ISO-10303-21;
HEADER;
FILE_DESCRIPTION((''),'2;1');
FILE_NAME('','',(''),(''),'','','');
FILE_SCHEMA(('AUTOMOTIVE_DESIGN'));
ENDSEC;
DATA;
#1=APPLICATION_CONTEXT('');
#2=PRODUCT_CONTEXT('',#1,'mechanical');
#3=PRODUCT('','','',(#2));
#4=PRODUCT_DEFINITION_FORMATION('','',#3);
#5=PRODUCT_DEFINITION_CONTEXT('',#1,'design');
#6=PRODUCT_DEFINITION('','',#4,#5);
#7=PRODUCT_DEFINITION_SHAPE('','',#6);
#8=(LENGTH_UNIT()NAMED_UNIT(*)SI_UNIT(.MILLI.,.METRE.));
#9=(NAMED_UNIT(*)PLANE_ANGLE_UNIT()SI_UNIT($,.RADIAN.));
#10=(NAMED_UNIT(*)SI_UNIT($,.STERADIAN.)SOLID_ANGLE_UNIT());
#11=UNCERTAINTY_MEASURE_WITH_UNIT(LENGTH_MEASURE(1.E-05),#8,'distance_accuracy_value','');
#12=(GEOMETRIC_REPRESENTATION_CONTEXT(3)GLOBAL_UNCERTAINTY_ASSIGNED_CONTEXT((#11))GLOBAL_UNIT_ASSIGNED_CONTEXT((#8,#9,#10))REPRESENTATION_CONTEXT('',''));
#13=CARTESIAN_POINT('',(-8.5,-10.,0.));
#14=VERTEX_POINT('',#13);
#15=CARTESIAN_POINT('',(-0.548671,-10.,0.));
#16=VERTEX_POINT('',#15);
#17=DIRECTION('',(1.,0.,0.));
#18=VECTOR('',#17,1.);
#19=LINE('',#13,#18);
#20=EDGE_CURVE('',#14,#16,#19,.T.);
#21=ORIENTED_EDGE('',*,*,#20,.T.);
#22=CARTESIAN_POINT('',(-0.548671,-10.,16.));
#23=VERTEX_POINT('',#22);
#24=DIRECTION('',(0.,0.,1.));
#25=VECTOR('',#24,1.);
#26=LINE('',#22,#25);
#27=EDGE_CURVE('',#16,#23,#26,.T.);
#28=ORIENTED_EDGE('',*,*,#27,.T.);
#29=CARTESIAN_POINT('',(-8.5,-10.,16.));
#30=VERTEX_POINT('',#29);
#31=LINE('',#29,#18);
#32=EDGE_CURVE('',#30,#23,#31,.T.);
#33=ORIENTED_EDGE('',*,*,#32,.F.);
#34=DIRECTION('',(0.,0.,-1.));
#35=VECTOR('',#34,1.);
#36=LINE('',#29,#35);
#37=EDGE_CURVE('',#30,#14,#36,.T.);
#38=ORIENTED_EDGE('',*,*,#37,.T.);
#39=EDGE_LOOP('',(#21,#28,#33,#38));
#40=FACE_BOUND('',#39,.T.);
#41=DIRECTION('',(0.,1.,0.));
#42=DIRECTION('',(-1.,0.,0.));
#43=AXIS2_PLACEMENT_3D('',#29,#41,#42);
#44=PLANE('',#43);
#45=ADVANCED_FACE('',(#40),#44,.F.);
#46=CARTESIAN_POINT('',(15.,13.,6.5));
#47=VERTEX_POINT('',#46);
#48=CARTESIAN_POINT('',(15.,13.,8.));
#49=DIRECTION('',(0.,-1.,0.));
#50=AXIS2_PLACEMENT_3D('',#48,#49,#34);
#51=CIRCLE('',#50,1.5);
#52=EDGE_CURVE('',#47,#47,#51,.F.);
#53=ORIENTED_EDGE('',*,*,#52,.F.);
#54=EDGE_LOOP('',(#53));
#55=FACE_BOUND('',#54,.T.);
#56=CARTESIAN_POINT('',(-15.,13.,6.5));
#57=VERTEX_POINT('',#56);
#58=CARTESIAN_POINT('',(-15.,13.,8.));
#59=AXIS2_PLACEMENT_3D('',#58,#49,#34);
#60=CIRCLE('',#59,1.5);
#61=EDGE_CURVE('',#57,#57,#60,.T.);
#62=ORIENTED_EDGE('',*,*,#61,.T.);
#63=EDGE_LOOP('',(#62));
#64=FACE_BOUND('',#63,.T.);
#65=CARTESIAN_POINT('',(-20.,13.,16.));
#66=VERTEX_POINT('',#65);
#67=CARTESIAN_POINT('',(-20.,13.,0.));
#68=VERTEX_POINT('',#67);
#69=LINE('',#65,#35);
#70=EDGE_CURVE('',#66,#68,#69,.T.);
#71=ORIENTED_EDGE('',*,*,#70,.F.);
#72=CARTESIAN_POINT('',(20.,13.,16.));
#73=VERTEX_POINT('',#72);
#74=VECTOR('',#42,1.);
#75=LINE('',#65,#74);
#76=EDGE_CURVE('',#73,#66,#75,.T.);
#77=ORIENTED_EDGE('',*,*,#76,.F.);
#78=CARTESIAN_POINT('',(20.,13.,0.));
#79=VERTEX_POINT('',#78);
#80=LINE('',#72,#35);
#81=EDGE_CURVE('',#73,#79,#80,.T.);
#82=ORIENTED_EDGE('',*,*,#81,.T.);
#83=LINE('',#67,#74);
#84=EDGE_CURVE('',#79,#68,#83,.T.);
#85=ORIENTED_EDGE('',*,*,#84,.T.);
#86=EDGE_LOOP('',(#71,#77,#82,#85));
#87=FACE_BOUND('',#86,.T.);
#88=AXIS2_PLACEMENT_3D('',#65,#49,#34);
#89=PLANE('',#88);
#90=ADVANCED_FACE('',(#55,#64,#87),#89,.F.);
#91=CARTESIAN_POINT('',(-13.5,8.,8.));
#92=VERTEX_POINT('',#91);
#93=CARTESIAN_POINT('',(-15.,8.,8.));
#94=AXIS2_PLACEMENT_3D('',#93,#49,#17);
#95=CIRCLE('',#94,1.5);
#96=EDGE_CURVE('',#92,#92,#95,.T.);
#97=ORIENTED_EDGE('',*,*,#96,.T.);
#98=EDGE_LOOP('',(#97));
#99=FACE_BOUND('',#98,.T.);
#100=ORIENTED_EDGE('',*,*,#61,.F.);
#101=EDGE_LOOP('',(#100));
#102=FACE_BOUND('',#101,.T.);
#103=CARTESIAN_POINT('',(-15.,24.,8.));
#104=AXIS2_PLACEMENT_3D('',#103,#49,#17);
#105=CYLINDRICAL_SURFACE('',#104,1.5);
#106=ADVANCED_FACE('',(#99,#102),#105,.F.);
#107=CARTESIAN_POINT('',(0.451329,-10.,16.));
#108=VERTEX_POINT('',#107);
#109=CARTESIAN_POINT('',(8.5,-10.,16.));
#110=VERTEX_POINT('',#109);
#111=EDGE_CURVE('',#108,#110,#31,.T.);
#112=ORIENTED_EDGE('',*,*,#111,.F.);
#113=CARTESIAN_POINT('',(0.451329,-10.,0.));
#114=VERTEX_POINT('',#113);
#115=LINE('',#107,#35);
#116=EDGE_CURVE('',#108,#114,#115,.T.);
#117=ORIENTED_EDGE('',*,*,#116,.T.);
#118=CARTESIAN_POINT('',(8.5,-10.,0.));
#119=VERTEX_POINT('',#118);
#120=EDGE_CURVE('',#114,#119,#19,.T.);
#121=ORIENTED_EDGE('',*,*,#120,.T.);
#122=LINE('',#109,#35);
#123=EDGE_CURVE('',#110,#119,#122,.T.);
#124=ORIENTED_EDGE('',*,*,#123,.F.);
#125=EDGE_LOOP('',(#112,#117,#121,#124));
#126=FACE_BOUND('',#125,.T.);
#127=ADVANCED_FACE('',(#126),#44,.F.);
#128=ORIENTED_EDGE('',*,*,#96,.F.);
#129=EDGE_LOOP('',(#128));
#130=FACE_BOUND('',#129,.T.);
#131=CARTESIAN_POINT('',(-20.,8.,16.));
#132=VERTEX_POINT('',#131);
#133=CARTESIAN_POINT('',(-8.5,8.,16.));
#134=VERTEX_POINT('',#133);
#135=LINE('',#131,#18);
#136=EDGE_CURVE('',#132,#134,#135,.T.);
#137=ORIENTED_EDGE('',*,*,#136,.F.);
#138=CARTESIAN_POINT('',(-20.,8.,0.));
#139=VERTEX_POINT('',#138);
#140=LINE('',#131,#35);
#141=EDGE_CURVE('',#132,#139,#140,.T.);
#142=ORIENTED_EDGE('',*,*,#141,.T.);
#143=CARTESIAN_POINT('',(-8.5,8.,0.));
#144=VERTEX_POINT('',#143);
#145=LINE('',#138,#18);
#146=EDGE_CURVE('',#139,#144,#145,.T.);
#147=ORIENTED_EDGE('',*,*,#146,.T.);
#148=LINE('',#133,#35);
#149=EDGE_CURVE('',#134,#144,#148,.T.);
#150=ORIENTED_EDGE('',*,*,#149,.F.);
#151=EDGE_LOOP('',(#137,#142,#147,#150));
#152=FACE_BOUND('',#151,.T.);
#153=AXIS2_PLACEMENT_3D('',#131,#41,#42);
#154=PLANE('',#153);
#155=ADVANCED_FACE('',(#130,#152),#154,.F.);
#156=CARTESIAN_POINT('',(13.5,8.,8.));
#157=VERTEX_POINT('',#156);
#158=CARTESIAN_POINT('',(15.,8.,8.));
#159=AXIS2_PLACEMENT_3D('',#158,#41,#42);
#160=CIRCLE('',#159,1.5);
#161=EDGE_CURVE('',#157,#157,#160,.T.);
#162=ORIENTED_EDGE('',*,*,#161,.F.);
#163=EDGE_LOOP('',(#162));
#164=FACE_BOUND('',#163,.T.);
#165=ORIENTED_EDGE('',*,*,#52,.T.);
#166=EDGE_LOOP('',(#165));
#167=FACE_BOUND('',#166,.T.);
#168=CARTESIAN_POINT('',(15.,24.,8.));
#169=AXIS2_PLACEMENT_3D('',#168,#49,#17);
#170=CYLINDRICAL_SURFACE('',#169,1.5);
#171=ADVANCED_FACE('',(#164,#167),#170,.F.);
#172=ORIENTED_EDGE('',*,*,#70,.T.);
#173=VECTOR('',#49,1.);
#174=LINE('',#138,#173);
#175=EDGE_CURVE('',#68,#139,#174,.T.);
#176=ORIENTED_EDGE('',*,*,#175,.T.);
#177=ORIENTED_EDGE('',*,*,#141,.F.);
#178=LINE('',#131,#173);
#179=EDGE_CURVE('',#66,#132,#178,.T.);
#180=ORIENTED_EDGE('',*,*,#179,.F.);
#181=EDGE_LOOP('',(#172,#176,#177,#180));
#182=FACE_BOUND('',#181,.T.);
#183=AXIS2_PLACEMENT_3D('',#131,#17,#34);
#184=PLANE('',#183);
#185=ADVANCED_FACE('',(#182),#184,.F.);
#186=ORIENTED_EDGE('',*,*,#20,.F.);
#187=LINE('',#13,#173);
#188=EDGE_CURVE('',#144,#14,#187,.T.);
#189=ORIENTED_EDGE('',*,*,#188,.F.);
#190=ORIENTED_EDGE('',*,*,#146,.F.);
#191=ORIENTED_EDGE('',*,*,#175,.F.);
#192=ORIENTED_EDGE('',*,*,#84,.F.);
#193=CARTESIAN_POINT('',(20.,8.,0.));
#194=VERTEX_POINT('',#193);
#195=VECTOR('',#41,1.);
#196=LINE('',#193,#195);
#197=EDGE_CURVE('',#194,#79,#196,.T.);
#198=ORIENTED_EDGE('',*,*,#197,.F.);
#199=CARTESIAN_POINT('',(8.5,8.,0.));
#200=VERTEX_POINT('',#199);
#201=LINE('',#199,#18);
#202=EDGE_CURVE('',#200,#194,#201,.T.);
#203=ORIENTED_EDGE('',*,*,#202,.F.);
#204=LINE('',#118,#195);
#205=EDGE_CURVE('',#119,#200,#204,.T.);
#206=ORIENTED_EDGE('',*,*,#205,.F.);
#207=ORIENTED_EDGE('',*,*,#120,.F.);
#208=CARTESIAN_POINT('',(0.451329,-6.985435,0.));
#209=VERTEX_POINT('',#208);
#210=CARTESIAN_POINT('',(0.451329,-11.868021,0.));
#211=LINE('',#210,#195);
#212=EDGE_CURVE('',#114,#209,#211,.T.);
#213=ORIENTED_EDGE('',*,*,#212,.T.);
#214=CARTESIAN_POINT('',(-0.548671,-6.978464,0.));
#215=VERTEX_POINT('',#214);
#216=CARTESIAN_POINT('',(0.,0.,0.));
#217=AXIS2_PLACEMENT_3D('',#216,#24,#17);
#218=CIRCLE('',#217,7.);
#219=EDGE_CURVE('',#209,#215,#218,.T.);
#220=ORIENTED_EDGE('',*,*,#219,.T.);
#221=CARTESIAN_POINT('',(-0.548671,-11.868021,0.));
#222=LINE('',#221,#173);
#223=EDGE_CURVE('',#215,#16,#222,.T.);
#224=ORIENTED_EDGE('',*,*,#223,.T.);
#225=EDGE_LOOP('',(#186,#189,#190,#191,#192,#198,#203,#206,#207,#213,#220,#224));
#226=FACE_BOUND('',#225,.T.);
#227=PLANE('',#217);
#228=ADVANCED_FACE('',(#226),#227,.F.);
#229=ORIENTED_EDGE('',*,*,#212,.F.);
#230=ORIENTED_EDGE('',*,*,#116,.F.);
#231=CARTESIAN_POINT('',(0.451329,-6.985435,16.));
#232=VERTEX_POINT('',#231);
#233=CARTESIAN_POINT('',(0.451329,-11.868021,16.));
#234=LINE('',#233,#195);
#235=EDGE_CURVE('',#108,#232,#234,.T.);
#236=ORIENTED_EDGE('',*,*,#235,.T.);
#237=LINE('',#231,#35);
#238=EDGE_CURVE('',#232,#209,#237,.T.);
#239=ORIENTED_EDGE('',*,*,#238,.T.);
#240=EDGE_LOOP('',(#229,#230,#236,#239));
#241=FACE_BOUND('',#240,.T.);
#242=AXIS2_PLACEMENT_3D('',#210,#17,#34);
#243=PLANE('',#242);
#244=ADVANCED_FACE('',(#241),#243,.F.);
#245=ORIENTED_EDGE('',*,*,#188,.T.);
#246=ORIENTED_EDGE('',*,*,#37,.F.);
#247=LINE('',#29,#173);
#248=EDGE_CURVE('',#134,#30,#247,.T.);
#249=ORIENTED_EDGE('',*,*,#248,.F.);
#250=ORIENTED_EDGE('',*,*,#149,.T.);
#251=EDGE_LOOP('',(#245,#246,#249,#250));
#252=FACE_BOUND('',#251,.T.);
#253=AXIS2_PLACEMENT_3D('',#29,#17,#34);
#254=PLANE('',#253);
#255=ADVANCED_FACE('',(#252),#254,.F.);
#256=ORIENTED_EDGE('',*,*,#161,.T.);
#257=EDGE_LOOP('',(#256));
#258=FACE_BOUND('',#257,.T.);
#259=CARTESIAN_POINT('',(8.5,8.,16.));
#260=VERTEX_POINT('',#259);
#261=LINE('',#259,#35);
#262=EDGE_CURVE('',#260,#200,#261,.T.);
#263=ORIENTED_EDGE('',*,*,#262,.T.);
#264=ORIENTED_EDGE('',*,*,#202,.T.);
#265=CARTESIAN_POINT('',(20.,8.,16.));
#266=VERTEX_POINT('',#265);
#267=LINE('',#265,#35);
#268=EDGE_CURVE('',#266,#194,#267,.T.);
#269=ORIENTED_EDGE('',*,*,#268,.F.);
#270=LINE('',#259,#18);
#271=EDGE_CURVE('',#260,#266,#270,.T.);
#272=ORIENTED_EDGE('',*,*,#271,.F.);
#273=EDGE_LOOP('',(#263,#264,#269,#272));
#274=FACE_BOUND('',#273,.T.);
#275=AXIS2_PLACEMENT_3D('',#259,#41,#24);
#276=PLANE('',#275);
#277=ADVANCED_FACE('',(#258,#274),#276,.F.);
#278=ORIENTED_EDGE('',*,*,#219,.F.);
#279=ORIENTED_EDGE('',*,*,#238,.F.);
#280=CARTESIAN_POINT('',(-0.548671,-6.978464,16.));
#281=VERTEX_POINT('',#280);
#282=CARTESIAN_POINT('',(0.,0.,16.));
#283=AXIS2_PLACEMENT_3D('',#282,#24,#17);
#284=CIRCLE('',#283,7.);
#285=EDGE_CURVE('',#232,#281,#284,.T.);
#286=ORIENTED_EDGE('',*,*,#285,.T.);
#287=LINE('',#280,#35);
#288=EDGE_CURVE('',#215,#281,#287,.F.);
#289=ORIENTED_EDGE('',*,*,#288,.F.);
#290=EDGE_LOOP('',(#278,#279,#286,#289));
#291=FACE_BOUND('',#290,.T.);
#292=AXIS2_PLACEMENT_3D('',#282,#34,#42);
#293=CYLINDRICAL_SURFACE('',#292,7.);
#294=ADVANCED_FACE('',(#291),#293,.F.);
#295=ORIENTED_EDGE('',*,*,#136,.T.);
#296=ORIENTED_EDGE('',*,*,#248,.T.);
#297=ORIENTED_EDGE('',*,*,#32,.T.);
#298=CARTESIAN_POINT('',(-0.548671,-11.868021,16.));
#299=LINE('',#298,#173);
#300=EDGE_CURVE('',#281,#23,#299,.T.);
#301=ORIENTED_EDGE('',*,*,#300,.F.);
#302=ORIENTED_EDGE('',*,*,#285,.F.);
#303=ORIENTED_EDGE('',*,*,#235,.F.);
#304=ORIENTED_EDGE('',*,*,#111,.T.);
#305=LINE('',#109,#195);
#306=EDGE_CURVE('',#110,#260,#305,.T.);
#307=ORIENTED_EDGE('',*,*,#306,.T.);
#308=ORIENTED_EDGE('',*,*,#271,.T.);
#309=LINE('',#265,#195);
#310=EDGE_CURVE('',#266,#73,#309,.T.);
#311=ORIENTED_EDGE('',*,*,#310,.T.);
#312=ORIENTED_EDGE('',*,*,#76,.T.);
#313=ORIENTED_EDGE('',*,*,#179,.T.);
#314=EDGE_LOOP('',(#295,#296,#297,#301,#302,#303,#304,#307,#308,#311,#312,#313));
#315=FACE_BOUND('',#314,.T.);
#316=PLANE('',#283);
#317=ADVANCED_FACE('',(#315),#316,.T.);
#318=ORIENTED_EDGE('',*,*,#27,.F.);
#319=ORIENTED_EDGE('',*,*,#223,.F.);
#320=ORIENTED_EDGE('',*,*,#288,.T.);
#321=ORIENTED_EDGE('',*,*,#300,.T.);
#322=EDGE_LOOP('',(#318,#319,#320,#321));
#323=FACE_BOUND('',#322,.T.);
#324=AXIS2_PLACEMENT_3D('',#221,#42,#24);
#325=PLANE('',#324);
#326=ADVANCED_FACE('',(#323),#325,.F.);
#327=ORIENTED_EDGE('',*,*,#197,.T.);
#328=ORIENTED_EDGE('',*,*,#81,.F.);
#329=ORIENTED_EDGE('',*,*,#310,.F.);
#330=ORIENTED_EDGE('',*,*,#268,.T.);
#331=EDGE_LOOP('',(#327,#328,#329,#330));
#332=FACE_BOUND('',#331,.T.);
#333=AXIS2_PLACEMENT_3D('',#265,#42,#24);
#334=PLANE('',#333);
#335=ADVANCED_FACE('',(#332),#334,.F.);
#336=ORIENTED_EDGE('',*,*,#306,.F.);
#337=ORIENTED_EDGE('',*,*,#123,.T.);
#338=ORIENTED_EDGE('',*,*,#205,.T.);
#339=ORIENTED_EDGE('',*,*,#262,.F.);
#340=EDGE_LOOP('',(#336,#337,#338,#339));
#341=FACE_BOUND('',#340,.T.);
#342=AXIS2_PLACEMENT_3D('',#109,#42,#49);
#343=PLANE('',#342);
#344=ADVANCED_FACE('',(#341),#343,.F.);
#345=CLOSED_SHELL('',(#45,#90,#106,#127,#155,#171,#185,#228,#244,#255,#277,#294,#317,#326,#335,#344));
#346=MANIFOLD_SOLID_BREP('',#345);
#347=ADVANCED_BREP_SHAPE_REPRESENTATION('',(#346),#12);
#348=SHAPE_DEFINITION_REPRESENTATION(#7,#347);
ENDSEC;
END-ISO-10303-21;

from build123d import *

# Parameters (mm, degrees)
ESBO_O1_R                = 7
RESSALTO_EXTRUS_O1_DEPTH = 16
ESBO_O2_W                = 1
ESBO_O2_H                = 5.647679103
CORTE_EXTRUS_O1_DEPTH    = 17
ESBO_O3_R                = 1.5
CORTE_EXTRUS_O2_DEPTH    = 16


with BuildPart() as part:
    # Esboço1 → Ressalto-extrusão1 (new body)
    with BuildSketch(Plane.XY):
        Polygon((-20, 8), (-8.5, 8), (-8.5, -10), (8.5, -10), (8.5, 8), (20, 8), (20, 13), (-20, 13), align=None)
        Circle(ESBO_O1_R, mode=Mode.SUBTRACT)
    extrude(amount=RESSALTO_EXTRUS_O1_DEPTH)

    # Esboço2 → Corte-extrusão1 (cut, through all)
    with BuildSketch(Plane.XY.offset(16)):
        with Locations((-0.048670763, -9.044181363)):
            Rectangle(ESBO_O2_W, ESBO_O2_H)
    extrude(amount=-CORTE_EXTRUS_O1_DEPTH, mode=Mode.SUBTRACT)

    # Esboço3 → Corte-extrusão2 (cut)
    with BuildSketch(Plane.XZ.offset(-8)):
        with Locations((-15, 8)):
            Circle(ESBO_O3_R)
    corte_extrus_o2 = extrude(amount=-CORTE_EXTRUS_O2_DEPTH, mode=Mode.SUBTRACT)

    # Espelhar1: Corte-extrusão2 across plane
    add(corte_extrus_o2.mirror(Plane(origin=(0, 0, 0), x_dir=(0, 0, 1), z_dir=(1, 0, 0))), mode=Mode.SUBTRACT)


solid = part.part
